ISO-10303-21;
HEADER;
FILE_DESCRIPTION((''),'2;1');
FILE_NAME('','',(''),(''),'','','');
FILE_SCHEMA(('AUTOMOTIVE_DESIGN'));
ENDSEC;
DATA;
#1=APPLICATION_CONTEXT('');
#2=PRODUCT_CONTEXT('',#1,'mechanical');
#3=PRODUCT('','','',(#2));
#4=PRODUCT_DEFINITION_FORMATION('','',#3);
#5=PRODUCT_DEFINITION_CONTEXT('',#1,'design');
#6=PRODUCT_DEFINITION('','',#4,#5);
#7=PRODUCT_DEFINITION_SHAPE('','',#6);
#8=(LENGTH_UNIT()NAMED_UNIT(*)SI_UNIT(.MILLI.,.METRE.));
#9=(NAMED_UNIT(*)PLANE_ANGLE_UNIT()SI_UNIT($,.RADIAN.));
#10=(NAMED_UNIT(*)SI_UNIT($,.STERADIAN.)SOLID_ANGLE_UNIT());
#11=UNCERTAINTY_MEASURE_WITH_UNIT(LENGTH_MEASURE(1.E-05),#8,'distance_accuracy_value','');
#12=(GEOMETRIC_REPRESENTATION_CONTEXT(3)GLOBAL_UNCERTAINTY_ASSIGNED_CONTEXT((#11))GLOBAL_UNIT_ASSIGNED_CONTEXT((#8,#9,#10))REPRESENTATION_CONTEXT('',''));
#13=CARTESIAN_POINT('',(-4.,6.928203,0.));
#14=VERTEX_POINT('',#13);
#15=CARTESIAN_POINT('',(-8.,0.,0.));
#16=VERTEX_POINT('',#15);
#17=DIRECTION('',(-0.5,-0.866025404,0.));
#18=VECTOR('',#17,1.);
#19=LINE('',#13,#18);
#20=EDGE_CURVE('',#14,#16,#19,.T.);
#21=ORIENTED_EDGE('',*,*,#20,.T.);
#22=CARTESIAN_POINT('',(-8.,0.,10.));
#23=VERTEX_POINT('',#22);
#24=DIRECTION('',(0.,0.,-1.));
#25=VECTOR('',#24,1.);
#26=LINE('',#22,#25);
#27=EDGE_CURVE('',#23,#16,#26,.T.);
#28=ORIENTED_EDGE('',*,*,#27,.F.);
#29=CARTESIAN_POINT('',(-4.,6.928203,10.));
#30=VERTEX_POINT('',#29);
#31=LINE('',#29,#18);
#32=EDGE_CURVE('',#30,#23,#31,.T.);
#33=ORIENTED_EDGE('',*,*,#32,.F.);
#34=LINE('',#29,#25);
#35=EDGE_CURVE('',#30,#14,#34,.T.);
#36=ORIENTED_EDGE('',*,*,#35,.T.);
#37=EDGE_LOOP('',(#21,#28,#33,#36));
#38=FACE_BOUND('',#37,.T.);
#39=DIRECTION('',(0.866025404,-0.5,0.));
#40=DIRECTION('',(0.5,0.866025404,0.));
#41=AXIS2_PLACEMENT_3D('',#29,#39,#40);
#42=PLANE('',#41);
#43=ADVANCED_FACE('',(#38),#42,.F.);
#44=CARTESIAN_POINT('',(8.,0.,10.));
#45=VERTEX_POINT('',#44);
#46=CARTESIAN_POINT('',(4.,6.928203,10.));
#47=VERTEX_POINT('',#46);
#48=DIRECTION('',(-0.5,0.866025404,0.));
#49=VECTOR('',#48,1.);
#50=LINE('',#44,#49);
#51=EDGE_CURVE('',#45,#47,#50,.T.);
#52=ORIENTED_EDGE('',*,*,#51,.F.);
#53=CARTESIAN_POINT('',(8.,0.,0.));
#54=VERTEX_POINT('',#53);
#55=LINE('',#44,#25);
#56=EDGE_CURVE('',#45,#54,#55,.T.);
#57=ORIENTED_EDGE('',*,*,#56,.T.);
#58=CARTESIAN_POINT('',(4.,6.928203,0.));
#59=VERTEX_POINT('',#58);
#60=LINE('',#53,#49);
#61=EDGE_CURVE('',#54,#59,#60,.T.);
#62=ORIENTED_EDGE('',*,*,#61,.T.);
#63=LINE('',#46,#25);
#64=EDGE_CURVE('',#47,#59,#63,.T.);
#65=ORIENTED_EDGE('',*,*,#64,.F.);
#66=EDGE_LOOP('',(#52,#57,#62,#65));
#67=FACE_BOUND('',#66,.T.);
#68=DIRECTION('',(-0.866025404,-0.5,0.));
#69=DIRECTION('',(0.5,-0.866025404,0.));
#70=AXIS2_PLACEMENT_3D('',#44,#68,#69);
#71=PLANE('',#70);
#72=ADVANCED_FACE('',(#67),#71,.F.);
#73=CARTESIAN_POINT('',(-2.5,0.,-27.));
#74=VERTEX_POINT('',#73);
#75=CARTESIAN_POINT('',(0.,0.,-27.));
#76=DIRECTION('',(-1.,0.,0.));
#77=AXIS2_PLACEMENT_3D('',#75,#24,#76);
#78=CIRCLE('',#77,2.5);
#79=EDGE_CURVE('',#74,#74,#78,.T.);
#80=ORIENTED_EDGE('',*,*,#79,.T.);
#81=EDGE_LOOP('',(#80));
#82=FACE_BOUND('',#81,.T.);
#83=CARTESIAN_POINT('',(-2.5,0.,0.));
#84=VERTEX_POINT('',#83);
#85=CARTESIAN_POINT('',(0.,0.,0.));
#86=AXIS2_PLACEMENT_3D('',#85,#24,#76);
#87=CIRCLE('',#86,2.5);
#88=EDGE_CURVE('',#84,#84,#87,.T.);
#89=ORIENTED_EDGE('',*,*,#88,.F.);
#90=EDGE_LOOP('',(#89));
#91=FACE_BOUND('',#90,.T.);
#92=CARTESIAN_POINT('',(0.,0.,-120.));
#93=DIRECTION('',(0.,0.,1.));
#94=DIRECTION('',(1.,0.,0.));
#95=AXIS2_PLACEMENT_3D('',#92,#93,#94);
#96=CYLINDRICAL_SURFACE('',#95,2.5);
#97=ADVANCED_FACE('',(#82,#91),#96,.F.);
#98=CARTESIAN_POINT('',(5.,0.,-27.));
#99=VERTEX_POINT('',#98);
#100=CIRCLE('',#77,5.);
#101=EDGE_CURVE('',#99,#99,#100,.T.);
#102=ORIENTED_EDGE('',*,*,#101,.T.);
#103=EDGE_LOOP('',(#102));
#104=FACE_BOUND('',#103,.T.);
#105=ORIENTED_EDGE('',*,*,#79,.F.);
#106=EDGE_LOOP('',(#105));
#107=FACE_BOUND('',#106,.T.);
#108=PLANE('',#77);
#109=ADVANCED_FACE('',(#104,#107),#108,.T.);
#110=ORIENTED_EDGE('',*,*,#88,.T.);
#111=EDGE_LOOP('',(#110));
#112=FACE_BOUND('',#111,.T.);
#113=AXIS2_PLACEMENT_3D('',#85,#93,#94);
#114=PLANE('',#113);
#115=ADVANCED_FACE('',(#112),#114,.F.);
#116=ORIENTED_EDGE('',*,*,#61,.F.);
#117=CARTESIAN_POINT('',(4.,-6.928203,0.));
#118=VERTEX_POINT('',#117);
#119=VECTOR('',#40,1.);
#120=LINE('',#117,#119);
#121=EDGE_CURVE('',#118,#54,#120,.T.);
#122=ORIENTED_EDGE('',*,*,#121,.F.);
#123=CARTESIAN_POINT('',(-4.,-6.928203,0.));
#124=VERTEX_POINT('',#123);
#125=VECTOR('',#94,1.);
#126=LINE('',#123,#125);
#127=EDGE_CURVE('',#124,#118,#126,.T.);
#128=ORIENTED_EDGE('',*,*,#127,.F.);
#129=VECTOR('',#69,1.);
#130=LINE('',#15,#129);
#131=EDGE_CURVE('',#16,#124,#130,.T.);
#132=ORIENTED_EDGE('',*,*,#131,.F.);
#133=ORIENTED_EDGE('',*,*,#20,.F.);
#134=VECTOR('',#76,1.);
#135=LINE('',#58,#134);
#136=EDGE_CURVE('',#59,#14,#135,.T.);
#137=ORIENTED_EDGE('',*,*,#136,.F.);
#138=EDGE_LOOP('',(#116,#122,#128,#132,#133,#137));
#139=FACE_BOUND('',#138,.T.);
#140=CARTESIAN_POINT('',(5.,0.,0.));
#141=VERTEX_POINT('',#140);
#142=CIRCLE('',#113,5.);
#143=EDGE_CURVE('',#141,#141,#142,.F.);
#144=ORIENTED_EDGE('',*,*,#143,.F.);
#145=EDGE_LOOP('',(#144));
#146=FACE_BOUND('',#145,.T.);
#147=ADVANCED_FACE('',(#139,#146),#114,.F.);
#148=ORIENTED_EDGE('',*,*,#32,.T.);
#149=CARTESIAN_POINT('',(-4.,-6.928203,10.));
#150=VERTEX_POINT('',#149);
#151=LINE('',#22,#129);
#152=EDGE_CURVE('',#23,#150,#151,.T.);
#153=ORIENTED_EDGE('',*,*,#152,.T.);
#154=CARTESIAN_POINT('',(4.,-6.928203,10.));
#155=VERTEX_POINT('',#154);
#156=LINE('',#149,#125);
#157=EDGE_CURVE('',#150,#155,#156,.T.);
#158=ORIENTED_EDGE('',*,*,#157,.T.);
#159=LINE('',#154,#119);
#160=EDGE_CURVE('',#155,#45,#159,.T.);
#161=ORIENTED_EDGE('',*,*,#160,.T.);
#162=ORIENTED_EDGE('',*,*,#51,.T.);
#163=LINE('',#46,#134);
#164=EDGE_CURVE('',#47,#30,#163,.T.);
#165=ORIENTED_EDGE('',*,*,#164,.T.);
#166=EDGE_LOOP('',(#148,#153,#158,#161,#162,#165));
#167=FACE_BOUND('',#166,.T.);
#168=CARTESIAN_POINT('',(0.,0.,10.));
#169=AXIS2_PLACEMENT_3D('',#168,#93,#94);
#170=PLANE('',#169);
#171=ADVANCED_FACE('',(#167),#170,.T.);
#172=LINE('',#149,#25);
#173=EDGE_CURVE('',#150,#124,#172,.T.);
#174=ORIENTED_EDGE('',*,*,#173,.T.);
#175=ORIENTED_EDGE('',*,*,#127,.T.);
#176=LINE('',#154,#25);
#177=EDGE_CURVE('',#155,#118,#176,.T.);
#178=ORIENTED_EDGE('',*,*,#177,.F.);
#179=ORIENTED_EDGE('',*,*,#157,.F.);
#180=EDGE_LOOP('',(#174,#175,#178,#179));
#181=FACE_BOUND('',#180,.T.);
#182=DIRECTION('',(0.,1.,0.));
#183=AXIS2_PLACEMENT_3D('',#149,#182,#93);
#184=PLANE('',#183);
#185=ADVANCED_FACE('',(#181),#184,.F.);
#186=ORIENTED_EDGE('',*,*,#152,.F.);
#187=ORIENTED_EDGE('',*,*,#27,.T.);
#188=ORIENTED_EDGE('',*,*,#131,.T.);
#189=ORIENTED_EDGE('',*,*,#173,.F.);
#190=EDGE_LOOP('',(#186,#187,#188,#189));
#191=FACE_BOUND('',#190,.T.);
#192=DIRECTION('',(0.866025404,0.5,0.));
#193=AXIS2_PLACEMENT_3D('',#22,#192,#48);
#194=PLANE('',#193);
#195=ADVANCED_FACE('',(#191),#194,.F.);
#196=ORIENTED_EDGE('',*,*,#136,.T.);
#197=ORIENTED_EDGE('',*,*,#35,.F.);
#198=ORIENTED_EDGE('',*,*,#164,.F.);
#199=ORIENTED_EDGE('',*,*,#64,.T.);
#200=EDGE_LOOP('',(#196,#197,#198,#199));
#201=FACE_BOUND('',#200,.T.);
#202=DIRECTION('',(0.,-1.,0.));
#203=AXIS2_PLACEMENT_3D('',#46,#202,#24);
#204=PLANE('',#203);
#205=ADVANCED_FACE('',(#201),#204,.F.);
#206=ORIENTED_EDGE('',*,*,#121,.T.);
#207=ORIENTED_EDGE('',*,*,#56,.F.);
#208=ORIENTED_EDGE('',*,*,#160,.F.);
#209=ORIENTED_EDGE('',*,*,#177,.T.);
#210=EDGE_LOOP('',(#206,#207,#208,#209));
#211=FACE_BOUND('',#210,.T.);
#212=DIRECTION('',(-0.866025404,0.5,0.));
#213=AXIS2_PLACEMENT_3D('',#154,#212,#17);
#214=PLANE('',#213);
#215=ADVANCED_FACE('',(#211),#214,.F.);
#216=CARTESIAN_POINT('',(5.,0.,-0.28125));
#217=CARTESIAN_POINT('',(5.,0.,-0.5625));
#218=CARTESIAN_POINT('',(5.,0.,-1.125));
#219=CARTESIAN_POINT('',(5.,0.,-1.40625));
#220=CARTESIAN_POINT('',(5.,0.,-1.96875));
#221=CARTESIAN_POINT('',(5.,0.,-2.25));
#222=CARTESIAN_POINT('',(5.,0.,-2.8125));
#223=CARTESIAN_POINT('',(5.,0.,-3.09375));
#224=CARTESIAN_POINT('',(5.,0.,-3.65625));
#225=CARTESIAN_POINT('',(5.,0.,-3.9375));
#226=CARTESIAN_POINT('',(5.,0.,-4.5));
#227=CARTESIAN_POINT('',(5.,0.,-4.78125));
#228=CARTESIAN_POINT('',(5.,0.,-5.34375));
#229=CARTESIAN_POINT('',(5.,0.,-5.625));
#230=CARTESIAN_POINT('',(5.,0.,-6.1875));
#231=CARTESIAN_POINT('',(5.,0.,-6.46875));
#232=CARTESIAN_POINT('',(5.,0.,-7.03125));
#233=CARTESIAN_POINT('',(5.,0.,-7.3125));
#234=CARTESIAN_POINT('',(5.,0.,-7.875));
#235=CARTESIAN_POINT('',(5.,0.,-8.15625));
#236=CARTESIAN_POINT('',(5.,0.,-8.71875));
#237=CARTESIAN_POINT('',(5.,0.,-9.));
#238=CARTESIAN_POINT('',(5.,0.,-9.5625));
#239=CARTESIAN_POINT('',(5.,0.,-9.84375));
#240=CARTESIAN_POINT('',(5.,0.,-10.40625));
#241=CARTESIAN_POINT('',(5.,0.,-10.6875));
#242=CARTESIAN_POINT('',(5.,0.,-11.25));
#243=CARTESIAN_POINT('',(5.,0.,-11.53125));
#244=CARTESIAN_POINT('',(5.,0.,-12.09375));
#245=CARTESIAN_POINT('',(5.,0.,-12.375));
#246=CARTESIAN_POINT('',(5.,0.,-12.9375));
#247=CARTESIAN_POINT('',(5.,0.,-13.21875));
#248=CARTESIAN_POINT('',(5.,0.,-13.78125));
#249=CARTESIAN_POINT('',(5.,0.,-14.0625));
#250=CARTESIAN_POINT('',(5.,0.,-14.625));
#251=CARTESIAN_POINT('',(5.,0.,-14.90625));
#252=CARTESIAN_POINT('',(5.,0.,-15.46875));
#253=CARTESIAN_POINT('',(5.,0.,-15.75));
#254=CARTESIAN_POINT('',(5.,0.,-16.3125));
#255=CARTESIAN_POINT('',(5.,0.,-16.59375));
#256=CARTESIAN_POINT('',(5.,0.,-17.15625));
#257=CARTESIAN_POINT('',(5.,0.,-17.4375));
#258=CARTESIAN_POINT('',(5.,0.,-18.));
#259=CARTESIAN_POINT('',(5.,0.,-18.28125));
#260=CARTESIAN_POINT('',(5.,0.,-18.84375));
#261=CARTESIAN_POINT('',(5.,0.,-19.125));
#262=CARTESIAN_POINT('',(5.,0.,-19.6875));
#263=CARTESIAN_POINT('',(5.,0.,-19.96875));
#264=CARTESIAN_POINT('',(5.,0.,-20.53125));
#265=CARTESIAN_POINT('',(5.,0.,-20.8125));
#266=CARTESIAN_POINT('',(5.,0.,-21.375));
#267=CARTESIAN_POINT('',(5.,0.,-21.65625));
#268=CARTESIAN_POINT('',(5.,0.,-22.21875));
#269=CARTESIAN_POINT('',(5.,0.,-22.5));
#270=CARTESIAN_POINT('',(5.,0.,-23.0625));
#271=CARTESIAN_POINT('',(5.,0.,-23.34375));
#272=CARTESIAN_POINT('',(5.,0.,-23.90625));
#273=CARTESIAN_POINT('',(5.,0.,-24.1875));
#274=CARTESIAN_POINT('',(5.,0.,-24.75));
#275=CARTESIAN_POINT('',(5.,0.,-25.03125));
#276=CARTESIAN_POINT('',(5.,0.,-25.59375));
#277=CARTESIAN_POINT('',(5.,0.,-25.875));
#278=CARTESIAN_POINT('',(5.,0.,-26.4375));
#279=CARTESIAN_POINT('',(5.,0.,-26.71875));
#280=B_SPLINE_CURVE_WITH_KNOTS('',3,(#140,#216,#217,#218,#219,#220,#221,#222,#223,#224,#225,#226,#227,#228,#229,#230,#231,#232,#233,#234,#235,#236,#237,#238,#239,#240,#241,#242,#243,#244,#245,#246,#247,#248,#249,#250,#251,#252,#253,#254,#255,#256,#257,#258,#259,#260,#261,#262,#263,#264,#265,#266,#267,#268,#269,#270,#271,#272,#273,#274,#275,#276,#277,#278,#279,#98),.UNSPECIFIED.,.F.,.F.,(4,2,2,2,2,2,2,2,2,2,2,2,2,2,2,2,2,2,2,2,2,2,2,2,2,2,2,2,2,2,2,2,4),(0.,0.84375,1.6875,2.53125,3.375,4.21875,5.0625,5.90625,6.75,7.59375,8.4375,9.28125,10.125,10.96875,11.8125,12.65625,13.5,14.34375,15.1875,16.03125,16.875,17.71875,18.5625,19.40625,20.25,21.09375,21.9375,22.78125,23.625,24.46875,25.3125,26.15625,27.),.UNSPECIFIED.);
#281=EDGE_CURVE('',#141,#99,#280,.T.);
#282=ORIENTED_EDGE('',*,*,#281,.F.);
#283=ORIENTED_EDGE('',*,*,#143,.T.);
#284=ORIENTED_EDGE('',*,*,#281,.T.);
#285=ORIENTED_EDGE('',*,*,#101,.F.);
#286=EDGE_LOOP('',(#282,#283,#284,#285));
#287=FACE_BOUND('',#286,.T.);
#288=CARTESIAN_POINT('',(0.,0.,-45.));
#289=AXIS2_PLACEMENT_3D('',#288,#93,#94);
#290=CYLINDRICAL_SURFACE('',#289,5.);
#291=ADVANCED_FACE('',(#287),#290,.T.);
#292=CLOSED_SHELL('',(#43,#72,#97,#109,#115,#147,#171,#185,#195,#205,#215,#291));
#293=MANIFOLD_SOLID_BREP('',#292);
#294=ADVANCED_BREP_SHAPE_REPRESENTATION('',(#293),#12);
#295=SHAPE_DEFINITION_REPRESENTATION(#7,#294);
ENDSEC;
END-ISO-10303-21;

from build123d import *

# Parameters (mm, degrees)
EXTRUDE_1_DEPTH     = 10
SKETCH_3_R          = 4.5
SKETCH_3_R_2        = 2.5
EXTRUDE_2_DEPTH     = 120
SKETCH_4_R          = 1.5
CUT_EXTRUDE_1_DEPTH = 20
SKETCH_5_R          = 5
SKETCH_5_R_2        = 4.5
EXTRUDE_3_DEPTH     = 45
CUT_EXTRUDE_START   = -75
SKETCH_6_R          = 4.5
CUT_EXTRUDE_2_DEPTH = 75
CUT_EXTRUDE_START_2 = -18
SKETCH_7_R          = 5
CUT_EXTRUDE_3_DEPTH = 18


with BuildPart() as part:
    # 草图1 → 凸台-拉伸1 (new body)
    with BuildSketch(Plane.XY):
        Polygon((8, 0), (4, 6.92820323), (-4, 6.92820323), (-8, 0), (-4, -6.92820323), (4, -6.92820323), align=None)
    extrude(amount=EXTRUDE_1_DEPTH)

    # 草图3 → 凸台-拉伸2 (add)
    with BuildSketch(Plane(origin=(0, 0, 0), x_dir=(-1, 0, 0), z_dir=(0, 0, -1))):
        with Locations(Location((0, 0, 0), (0, 0, 180))):
            Circle(SKETCH_3_R)
        Circle(SKETCH_3_R_2, mode=Mode.SUBTRACT)
    extrude(amount=EXTRUDE_2_DEPTH)

    # 草图4 → 切除-拉伸1 (cut)
    with BuildSketch(Plane(origin=(0, 0, 0), x_dir=(1, 0, 0), z_dir=(0, 1, 0))):
        with Locations(Location((0, 110, 0), (0, 0, 270))):
            Circle(SKETCH_4_R)
    extrude(amount=-CUT_EXTRUDE_1_DEPTH, mode=Mode.SUBTRACT)

    # 草图5 → 凸台-拉伸3 (add)
    with BuildSketch(Plane(origin=(0, 0, 0), x_dir=(-1, 0, 0), z_dir=(0, 0, -1))):
        with Locations(Location((0, 0, 0), (0, 0, 180))):
            Circle(SKETCH_5_R)
        Circle(SKETCH_5_R_2, mode=Mode.SUBTRACT)
    extrude(amount=EXTRUDE_3_DEPTH)

    # 草图6 → 切除-拉伸2 (cut)
    with BuildSketch(Plane(origin=(0, 0, -120), x_dir=(-1, 0, 0), z_dir=(0, 0, -1)).offset(CUT_EXTRUDE_START)):
        Circle(SKETCH_6_R)
    extrude(amount=CUT_EXTRUDE_2_DEPTH, mode=Mode.SUBTRACT)

    # 草图7 → 切除-拉伸3 (cut)
    with BuildSketch(Plane(origin=(0, 0, -45), x_dir=(-1, 0, 0), z_dir=(0, 0, -1)).offset(CUT_EXTRUDE_START_2)):
        with Locations(Location((0, 0, 0), (0, 0, 180))):
            Circle(SKETCH_7_R)
    extrude(amount=CUT_EXTRUDE_3_DEPTH, mode=Mode.SUBTRACT)


solid = part.part
